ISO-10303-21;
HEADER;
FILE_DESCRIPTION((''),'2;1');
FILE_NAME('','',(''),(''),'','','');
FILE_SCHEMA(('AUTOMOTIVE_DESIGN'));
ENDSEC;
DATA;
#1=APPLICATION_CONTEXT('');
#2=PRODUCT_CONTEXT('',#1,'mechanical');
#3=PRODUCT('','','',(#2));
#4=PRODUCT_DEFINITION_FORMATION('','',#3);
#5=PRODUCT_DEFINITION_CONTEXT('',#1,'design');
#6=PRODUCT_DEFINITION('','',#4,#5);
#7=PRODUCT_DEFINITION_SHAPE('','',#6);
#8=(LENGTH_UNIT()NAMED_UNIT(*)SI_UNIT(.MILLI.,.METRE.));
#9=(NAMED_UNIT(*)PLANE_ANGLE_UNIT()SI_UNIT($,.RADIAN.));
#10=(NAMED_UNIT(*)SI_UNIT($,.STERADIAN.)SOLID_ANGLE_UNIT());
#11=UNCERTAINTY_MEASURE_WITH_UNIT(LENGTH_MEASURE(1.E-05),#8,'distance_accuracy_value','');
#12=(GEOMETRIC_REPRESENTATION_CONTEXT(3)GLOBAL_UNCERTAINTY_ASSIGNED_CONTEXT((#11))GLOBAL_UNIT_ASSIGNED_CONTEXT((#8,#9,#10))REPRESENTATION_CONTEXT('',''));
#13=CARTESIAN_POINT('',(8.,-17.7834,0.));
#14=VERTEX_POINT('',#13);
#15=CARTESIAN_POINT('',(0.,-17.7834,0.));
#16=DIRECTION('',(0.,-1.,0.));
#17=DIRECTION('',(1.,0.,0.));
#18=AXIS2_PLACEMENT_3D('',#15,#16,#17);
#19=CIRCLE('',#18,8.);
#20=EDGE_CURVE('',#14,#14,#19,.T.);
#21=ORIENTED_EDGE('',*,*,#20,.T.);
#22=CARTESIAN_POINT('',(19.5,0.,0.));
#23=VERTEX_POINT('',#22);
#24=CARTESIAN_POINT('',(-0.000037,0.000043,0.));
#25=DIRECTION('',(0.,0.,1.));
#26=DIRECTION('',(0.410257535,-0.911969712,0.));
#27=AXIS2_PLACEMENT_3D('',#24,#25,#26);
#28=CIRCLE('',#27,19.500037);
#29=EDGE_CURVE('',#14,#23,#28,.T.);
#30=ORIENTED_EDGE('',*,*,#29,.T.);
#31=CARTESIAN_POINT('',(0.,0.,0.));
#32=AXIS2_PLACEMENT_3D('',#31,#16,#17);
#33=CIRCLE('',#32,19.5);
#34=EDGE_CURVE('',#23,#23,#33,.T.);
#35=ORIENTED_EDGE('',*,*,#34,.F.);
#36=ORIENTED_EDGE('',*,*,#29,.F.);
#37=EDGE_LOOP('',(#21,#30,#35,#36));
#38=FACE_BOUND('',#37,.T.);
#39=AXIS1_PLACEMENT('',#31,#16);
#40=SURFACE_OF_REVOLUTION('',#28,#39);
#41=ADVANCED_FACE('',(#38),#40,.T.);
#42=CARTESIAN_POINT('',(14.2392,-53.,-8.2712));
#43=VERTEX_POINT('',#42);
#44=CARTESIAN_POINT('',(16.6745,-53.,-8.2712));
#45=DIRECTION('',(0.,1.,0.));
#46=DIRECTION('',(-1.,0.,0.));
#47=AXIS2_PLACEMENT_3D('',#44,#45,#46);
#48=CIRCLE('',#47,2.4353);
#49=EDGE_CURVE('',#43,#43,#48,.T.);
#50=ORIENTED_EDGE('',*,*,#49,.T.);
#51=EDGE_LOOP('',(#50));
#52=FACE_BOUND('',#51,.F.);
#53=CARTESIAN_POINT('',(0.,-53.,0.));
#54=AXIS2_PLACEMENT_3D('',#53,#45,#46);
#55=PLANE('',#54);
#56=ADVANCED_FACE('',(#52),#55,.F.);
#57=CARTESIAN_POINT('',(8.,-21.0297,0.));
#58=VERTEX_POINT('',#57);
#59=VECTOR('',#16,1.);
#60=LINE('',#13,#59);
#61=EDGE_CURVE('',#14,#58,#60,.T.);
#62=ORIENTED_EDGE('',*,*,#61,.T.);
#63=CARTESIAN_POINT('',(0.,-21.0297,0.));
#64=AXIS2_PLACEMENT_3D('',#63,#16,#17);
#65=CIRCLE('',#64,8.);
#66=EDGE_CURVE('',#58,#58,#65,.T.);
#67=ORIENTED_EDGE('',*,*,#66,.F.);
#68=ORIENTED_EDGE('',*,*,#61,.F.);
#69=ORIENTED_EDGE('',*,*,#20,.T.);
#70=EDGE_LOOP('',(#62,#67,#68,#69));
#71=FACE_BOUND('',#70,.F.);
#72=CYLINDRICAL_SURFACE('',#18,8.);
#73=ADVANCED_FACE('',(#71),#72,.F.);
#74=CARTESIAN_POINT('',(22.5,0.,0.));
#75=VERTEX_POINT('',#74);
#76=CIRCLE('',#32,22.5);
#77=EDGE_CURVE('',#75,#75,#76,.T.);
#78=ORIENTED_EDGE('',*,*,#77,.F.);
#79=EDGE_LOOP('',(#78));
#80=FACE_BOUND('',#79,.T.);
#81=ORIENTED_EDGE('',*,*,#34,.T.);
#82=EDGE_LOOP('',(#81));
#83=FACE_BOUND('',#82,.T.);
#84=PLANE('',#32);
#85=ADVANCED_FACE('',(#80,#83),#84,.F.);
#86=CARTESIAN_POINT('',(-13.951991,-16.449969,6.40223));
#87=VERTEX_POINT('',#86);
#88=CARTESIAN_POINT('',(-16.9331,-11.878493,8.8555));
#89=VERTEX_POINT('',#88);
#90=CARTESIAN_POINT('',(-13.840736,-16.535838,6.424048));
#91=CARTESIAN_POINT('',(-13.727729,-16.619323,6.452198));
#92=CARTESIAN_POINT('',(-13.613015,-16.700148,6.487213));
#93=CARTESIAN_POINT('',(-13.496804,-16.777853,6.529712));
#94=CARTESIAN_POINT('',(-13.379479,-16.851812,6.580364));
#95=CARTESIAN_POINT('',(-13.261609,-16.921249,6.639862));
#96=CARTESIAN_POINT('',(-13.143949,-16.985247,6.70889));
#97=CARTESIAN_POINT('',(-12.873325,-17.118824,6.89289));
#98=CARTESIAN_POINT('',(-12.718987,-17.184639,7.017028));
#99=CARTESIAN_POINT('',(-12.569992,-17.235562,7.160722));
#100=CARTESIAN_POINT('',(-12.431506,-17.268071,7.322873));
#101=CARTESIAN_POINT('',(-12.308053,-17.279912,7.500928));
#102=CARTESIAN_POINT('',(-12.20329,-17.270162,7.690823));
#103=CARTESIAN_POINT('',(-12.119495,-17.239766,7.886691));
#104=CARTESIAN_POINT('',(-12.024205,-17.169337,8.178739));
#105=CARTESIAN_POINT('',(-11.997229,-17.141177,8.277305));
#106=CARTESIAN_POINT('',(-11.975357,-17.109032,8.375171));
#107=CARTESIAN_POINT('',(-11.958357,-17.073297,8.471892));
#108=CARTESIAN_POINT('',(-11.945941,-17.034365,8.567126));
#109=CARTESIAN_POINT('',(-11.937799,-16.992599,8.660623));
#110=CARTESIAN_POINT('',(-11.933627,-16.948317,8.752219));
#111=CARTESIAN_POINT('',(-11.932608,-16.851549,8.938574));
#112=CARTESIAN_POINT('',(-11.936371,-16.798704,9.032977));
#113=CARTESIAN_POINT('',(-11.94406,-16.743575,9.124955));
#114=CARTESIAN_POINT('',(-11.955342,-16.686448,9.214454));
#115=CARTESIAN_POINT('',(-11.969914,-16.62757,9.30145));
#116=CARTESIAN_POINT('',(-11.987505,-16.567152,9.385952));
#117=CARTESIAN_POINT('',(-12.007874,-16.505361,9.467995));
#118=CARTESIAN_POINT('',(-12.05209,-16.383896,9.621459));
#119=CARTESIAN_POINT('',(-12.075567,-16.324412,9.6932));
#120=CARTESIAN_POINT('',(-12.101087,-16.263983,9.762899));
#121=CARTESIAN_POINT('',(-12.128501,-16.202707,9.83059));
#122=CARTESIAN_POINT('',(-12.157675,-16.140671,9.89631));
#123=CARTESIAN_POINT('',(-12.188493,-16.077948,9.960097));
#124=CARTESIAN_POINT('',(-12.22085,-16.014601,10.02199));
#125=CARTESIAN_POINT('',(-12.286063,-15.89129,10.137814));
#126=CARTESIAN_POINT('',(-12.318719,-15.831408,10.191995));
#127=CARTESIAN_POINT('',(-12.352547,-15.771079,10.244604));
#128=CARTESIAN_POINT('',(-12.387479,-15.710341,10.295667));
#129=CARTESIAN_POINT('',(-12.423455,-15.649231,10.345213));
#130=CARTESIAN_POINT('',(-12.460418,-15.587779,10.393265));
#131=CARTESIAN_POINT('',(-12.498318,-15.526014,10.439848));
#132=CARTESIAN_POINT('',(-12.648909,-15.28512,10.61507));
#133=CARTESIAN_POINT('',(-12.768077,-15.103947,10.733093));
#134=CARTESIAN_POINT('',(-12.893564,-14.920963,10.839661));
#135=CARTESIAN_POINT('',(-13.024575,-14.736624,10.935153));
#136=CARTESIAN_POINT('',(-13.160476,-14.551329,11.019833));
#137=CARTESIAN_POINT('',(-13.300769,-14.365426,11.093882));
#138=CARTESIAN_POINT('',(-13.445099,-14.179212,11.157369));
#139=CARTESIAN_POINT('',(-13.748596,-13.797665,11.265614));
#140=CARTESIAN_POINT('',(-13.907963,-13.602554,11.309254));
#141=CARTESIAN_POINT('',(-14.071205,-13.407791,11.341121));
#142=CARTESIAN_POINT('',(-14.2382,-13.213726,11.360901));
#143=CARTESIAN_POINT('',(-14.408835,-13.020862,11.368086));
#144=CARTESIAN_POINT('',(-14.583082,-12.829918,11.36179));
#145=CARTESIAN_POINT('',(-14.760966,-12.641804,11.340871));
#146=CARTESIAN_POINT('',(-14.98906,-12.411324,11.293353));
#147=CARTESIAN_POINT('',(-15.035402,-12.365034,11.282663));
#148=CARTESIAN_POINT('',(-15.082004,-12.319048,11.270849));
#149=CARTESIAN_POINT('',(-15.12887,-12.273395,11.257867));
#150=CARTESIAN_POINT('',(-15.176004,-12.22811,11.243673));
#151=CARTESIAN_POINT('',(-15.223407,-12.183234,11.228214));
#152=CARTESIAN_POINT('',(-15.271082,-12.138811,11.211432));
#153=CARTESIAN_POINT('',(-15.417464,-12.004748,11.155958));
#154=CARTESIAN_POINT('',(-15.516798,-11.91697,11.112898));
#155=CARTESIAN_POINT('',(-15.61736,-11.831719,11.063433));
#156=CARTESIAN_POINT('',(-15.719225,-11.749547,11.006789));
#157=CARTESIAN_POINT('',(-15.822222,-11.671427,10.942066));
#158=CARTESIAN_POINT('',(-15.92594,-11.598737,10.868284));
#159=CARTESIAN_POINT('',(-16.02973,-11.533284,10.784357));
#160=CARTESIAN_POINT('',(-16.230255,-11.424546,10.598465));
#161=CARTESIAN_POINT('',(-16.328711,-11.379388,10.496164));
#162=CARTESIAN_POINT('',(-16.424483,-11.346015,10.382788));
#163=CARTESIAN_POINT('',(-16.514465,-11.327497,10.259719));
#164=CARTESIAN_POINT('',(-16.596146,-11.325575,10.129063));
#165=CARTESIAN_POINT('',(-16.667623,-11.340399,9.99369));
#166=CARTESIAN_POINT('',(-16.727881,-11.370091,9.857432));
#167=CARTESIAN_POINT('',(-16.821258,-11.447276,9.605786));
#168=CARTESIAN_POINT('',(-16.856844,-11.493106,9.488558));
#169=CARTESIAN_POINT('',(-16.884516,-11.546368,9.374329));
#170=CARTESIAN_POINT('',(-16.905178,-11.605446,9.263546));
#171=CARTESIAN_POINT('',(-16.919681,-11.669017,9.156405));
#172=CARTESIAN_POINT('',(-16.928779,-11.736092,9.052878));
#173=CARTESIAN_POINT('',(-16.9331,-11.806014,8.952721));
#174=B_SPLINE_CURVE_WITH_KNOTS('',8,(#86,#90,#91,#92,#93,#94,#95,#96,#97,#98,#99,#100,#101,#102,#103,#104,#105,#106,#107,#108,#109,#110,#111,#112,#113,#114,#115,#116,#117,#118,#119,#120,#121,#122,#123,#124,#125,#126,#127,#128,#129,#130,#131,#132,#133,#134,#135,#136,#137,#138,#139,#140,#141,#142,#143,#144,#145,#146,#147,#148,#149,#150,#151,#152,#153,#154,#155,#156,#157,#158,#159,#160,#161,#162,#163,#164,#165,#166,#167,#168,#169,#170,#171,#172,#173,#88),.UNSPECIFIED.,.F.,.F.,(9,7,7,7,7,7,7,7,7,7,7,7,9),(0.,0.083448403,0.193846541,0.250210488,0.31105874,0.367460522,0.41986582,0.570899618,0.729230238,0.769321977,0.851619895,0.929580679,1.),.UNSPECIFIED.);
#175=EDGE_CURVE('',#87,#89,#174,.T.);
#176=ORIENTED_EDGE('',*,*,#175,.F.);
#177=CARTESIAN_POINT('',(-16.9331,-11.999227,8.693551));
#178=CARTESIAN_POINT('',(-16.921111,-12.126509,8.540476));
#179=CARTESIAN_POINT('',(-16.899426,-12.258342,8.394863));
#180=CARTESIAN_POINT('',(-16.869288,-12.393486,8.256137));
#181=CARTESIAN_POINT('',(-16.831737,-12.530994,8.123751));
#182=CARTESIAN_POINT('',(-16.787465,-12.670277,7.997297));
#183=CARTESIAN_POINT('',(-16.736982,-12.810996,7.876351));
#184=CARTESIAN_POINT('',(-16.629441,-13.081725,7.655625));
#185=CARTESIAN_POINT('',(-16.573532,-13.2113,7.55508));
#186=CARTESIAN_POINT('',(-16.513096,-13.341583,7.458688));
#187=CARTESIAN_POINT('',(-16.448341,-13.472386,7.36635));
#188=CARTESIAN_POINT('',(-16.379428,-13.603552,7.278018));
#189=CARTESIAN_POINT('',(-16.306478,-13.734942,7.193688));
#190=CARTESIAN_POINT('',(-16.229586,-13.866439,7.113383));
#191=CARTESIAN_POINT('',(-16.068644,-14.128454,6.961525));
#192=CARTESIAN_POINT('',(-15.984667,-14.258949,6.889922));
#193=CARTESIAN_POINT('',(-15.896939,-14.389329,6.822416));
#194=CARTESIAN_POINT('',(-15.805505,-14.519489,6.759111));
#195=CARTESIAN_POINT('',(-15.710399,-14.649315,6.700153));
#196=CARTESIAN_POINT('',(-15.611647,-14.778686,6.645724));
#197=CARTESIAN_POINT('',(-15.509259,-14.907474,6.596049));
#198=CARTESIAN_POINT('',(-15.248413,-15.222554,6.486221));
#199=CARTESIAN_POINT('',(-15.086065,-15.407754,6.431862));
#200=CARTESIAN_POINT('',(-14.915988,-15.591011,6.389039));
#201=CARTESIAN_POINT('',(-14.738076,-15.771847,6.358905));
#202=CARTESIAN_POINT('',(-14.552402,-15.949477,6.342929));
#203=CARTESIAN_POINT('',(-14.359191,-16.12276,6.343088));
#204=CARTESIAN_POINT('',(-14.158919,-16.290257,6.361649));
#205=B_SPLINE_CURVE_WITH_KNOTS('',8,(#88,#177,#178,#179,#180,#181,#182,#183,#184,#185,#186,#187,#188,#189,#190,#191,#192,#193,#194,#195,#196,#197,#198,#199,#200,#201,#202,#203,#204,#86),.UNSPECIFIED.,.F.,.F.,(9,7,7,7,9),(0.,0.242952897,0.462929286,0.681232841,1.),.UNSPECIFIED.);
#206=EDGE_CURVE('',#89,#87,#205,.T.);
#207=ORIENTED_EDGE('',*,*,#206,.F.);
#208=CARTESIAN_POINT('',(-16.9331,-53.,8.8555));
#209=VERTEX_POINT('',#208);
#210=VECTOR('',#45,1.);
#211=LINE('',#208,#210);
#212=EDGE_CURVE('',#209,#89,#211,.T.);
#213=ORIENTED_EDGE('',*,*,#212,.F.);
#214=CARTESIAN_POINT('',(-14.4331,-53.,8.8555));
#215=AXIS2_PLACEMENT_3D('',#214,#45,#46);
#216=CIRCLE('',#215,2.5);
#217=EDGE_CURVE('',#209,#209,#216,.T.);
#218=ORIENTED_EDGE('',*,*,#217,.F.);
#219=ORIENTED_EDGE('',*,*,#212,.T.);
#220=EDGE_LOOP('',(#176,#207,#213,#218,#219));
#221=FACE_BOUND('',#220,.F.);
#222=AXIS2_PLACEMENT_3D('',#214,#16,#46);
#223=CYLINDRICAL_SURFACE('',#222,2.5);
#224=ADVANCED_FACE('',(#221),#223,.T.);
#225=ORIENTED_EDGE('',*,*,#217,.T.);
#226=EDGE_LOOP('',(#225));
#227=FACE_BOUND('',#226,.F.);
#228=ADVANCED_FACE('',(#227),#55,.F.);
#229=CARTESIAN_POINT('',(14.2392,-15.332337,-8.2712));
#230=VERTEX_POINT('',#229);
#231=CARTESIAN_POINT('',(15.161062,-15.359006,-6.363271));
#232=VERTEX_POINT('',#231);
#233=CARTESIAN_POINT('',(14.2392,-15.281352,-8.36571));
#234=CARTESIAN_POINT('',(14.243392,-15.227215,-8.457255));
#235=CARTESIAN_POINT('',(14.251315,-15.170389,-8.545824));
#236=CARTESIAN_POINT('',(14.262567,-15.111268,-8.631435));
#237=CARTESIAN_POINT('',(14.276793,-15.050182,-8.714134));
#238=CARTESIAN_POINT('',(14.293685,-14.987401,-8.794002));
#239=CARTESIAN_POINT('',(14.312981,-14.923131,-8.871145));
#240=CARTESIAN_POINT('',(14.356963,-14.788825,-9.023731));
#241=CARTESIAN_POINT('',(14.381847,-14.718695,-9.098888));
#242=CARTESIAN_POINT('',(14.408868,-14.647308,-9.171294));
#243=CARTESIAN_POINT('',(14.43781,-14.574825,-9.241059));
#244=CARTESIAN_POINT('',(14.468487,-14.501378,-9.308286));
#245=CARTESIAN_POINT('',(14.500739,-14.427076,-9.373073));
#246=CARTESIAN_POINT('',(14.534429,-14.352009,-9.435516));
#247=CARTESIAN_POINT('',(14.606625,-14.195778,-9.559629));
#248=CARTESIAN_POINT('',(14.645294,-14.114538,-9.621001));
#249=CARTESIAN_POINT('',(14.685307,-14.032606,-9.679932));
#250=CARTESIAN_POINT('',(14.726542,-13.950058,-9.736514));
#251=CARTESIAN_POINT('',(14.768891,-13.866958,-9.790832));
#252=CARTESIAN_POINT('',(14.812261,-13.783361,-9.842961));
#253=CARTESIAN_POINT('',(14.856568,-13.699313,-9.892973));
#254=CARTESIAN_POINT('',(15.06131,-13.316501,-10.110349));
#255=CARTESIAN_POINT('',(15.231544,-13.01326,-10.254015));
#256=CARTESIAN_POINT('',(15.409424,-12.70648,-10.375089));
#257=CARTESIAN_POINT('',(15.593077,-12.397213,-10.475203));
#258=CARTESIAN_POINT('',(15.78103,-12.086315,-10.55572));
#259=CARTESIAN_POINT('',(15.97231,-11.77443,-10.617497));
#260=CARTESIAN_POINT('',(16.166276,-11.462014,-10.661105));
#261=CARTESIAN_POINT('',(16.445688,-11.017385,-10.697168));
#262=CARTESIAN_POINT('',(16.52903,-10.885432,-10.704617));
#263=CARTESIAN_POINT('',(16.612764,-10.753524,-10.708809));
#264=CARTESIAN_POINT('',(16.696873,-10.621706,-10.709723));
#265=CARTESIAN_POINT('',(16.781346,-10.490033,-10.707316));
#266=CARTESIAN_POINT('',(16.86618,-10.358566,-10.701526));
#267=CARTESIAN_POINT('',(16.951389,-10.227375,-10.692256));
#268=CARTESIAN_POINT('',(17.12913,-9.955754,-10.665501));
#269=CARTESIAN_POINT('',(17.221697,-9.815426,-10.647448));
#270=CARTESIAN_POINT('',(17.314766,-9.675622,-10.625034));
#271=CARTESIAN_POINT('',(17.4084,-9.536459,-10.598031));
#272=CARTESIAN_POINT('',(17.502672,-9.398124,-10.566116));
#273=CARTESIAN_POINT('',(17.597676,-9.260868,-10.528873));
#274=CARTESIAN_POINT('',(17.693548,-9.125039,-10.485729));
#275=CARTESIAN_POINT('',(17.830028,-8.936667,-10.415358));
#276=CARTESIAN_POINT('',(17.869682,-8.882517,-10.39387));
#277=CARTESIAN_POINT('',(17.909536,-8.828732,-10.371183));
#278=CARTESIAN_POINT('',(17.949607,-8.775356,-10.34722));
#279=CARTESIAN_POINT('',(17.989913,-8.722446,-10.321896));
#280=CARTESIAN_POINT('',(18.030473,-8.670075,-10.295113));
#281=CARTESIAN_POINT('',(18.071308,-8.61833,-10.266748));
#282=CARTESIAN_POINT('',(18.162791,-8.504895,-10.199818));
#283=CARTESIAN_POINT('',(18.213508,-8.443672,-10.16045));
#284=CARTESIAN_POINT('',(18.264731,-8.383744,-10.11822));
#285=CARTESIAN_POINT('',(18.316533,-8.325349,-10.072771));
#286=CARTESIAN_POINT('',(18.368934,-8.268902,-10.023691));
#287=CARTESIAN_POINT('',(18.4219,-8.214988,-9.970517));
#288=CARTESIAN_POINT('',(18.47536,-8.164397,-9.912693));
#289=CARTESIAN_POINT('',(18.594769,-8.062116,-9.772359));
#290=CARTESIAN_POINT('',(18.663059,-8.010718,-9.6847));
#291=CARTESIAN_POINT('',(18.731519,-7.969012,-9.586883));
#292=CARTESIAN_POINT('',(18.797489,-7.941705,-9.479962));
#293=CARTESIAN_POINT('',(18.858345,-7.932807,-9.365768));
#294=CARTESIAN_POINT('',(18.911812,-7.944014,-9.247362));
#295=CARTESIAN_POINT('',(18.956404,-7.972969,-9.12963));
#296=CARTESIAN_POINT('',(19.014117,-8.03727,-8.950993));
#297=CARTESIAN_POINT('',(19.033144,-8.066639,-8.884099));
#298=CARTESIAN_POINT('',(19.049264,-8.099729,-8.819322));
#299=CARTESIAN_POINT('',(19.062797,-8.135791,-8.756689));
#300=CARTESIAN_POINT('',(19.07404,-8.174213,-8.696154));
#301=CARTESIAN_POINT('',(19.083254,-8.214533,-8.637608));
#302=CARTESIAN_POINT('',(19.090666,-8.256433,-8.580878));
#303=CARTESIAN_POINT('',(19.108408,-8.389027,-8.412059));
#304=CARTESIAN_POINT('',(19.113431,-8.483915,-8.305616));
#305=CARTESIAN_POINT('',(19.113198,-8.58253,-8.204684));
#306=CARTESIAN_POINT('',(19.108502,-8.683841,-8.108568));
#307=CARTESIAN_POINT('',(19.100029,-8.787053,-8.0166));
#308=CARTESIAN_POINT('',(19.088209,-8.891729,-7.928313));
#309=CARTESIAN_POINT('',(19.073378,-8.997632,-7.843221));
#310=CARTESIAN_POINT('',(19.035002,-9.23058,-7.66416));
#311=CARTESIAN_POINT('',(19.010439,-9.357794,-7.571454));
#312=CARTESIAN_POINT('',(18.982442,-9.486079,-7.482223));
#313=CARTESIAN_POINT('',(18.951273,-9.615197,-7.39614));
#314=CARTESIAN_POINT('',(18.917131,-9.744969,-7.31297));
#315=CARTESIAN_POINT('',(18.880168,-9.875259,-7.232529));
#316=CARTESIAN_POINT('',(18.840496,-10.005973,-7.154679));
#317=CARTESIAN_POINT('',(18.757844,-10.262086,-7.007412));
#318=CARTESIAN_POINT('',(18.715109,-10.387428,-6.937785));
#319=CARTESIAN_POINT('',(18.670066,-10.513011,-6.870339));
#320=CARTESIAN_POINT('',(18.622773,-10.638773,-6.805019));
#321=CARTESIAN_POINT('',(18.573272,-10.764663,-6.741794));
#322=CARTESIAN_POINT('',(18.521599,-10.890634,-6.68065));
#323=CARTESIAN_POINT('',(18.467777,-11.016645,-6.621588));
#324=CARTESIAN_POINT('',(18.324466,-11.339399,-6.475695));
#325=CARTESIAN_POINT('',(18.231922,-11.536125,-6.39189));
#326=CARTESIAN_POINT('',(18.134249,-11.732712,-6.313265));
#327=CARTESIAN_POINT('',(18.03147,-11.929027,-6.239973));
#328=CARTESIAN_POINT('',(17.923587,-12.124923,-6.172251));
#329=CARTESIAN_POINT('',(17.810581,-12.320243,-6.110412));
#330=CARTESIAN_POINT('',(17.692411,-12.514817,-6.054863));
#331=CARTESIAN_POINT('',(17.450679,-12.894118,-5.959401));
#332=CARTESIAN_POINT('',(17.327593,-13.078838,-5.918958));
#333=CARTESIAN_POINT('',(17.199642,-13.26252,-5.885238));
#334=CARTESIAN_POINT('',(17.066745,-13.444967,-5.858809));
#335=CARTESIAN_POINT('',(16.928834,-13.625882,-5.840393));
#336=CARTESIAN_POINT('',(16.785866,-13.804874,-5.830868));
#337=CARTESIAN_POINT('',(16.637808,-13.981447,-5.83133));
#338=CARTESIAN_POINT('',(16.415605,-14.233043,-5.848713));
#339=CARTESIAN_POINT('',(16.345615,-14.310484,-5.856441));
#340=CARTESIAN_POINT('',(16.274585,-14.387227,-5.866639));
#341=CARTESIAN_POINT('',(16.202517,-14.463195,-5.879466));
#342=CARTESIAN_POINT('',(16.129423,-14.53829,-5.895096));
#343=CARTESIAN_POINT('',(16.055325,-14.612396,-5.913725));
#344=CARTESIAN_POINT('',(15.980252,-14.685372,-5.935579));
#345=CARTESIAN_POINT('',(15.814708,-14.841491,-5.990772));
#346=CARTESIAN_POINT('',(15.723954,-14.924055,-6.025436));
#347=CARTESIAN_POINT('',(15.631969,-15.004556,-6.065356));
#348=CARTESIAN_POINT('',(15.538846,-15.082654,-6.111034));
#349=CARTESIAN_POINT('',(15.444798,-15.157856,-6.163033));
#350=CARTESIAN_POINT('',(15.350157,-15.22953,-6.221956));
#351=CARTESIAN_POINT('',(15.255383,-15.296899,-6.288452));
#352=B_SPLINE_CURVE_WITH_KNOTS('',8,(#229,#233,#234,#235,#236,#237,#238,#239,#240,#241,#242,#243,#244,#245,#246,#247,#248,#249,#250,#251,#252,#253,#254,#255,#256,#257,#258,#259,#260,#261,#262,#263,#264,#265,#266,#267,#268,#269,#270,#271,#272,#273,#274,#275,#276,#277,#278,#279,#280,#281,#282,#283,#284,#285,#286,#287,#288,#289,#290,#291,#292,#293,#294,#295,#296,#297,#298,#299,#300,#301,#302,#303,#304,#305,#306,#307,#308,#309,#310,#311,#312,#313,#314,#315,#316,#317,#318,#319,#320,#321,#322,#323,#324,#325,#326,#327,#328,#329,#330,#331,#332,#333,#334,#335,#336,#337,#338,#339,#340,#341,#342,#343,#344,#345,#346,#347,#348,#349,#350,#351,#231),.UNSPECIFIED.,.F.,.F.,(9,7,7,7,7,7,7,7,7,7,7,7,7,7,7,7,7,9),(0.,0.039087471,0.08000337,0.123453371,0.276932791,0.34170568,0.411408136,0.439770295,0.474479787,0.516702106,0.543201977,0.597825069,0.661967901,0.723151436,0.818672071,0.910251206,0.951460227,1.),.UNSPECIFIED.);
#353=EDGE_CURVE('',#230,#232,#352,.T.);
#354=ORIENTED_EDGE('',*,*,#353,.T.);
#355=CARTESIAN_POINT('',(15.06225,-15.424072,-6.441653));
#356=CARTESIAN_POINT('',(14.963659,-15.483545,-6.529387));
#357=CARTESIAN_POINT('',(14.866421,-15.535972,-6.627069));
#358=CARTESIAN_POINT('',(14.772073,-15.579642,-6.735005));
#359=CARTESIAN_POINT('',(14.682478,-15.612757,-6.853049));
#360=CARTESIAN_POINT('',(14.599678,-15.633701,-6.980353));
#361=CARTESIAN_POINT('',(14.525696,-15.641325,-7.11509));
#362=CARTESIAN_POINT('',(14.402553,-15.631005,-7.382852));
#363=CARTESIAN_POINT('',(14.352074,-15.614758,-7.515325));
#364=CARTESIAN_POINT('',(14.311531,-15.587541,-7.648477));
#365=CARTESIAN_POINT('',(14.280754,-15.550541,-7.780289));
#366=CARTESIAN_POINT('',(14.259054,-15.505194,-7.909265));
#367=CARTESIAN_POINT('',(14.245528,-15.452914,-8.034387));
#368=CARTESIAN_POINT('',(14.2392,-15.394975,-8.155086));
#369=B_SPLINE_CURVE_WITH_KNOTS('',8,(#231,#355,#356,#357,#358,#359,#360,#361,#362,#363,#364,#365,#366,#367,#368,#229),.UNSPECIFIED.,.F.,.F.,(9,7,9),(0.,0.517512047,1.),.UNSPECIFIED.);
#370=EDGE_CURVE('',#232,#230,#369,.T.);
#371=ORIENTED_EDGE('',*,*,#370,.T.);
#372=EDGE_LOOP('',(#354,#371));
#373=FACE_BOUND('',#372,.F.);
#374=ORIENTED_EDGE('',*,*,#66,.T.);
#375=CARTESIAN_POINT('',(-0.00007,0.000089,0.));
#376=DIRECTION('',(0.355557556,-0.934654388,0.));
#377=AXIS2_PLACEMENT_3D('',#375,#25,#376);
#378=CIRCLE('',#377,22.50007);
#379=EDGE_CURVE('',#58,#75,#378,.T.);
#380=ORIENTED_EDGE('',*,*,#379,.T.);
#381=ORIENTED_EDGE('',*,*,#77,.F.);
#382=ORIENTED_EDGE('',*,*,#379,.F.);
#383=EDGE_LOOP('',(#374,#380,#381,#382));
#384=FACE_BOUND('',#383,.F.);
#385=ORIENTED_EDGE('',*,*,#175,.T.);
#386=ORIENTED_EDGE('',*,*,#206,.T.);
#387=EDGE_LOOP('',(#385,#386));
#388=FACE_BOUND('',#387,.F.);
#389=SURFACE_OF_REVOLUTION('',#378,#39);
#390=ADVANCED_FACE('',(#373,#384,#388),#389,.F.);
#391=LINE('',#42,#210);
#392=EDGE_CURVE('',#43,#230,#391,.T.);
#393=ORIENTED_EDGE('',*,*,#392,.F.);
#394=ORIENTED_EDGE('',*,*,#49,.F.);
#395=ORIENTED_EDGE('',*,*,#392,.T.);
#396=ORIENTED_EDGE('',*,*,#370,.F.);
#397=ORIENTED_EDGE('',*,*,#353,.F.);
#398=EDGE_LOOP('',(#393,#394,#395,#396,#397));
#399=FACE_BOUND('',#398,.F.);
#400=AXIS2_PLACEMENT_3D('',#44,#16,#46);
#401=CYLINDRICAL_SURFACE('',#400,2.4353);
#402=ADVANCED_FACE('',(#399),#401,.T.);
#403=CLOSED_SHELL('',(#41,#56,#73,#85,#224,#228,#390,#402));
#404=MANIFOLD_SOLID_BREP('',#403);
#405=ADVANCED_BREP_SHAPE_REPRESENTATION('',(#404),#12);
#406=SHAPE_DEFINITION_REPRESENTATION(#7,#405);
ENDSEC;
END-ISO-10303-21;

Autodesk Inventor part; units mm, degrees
ref_plane "YZ Plane" through (0, 0, 0) normal (1, 0, 0) x (0, 1, 0)
ref_plane "XY Plane" through (0, 0, 0) normal (0, 0, 1) x (1, 0, 0)
sketch "草圖5" plane through (0, 0, 0) normal (0, 0, 1) x (1, 0, 0)
  arc A0 (8, -21.0297) -> (22.5, 0) centre (0, 0) ccw
  line L0 (0, 0) -> (22.5, 0)
  line L1 (0, 0) -> (0, -27.5)
  arc A1 (8, -17.7834) -> (19.5, 0) centre (0, 0) ccw
  line L2 (0, -19.2347) -> (8, -19.2347)
  line L3 (8, -17.7834) -> (8, -21.0297)
  dimension "d12" = 45
  dimension "d13" = 3
  dimension "d14" = 8
  dimension "d20" = 8
revolve "迴轉1" add sketch "草圖5" angle 360 about axis through (0, 0, 0) along (0, -1, 0) contours L3 A1 L0 A0
ref_plane "工作平面1" through (0, -53, 0) normal (0, 1, 0) x (-1, 0, 0)
sketch "草圖6" plane through (0, -53, 0) normal (0, 1, 0) x (-1, 0, 0)
  circle A0 centre (-16.6745, -8.2712) radius 2.4353
  circle A1 centre (14.4331, 8.8555) radius 2.5
  point P0 (0, 0)
  dimension "d19" = 5
extrude "擠出2" add sketch "草圖6" along normal up to next
properties part number "滑軌"
